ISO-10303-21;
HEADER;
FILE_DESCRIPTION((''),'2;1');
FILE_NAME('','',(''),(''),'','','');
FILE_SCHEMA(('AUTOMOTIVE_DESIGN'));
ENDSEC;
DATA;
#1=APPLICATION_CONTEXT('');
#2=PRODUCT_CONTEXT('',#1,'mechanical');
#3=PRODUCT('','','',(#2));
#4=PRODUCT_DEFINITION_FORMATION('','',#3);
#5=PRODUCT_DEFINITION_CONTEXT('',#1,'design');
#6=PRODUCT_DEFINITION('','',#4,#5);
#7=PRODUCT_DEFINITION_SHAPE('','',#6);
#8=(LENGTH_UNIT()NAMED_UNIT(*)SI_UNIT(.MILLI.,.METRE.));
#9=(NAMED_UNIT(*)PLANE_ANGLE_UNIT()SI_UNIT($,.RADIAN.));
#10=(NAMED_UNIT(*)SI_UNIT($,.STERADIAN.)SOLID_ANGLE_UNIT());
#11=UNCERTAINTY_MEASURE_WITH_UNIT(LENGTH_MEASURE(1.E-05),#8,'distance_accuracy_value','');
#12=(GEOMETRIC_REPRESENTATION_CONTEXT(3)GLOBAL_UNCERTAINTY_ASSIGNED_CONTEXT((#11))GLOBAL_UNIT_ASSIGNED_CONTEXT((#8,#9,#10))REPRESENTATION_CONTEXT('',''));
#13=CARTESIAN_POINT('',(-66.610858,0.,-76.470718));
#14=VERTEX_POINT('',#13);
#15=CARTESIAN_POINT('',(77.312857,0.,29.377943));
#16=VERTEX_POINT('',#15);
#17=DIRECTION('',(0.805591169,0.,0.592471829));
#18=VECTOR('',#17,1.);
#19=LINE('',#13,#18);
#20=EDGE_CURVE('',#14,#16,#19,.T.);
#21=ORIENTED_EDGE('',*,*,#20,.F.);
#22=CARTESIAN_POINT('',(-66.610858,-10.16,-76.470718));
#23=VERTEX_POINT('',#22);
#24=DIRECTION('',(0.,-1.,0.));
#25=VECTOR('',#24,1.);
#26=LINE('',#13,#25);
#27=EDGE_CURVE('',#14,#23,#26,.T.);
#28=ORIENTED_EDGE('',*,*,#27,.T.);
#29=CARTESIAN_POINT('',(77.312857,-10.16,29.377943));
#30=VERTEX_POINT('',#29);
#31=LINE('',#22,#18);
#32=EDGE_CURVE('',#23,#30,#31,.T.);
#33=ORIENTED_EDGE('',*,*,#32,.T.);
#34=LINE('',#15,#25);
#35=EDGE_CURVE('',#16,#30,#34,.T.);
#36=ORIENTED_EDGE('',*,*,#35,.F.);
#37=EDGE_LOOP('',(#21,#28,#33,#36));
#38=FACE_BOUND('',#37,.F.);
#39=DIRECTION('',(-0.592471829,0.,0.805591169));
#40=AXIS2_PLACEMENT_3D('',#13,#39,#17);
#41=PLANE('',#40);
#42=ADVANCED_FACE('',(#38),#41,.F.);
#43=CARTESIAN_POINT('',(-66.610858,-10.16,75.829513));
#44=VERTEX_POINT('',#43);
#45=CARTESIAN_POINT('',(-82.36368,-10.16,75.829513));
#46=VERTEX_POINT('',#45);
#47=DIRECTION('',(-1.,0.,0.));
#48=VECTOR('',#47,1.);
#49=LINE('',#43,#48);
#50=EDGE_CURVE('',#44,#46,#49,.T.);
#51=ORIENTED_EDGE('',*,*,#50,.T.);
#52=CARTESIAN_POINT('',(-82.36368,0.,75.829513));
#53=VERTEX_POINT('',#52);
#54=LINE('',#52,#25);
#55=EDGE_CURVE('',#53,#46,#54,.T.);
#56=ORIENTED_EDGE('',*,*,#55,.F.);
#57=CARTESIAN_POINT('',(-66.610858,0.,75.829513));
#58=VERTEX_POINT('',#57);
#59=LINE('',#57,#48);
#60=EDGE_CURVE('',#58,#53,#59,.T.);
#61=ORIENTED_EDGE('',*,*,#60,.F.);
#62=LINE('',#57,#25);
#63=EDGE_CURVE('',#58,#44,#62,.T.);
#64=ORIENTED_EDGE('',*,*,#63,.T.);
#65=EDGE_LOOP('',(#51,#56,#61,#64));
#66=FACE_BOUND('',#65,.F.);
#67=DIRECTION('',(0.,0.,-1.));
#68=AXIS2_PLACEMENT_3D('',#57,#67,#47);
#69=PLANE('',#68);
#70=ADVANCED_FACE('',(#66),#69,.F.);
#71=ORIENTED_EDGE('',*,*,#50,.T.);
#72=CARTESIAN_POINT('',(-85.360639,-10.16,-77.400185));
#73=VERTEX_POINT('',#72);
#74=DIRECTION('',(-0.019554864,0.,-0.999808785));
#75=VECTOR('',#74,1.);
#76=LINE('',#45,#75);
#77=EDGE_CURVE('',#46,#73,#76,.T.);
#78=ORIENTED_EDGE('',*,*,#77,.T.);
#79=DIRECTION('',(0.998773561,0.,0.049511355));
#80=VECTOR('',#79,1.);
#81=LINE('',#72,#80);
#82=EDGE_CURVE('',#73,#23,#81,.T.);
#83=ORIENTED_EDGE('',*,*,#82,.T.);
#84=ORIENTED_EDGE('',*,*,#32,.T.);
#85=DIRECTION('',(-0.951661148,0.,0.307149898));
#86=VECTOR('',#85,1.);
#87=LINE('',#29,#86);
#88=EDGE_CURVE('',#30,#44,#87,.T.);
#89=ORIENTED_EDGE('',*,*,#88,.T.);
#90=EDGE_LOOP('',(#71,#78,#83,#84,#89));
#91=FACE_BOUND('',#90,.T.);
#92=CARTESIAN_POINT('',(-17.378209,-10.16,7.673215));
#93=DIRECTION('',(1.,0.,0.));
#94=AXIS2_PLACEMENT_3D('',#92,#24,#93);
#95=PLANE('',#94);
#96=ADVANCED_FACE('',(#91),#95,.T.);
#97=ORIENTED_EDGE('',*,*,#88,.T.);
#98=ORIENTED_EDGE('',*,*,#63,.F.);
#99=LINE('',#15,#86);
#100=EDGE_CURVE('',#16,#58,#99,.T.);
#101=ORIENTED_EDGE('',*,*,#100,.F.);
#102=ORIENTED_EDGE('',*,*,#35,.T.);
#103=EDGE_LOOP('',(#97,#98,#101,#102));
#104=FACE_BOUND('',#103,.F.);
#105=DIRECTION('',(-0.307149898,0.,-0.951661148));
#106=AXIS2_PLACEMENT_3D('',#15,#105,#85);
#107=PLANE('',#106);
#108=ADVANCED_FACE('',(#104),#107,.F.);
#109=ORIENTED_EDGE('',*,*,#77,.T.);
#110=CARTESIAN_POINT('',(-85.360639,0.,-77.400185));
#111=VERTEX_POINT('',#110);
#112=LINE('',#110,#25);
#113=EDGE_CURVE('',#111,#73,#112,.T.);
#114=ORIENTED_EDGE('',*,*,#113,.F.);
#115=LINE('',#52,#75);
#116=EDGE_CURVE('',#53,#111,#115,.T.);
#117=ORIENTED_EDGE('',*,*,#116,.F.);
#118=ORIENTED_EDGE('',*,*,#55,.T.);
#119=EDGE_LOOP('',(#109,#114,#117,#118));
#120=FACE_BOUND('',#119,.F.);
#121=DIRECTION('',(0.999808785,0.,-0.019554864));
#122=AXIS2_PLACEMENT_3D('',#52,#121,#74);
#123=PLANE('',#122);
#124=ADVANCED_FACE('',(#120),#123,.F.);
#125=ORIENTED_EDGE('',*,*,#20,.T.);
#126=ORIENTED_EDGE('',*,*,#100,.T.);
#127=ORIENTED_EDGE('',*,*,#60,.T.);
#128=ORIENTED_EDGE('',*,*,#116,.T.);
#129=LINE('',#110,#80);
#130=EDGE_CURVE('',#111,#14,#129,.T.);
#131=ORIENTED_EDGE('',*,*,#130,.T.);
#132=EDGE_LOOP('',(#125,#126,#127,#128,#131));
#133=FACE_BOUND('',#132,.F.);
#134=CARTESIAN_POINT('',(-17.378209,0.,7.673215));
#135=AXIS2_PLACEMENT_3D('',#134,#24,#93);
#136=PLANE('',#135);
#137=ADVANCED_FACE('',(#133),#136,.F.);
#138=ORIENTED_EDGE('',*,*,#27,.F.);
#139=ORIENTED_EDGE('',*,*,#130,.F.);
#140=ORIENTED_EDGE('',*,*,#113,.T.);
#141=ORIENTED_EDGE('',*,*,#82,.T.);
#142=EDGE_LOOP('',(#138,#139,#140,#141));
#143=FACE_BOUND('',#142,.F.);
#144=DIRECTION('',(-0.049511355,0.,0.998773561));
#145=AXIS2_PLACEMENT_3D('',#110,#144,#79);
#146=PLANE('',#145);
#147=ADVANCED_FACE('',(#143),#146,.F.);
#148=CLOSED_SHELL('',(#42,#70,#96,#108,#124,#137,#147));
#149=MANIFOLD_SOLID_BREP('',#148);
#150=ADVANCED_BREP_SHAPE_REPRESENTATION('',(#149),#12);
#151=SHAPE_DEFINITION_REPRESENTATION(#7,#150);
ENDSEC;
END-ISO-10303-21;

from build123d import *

# Parameters (mm, degrees)
F1_DEPTH = 10.16


with BuildPart() as f1:
    # F0 (on Front) → F1 (new body)
    with BuildSketch(Plane.XZ):
        Polygon((77.312857, 29.377943), (-66.610858, 75.829513), (-66.610858, -76.470718), align=None)
        Polygon((-66.610858, -76.470718), (-66.610858, 75.829513), (-82.36368, 75.829513), (-85.360639, -77.400185), align=None)
    extrude(amount=F1_DEPTH)


solid = f1.part
